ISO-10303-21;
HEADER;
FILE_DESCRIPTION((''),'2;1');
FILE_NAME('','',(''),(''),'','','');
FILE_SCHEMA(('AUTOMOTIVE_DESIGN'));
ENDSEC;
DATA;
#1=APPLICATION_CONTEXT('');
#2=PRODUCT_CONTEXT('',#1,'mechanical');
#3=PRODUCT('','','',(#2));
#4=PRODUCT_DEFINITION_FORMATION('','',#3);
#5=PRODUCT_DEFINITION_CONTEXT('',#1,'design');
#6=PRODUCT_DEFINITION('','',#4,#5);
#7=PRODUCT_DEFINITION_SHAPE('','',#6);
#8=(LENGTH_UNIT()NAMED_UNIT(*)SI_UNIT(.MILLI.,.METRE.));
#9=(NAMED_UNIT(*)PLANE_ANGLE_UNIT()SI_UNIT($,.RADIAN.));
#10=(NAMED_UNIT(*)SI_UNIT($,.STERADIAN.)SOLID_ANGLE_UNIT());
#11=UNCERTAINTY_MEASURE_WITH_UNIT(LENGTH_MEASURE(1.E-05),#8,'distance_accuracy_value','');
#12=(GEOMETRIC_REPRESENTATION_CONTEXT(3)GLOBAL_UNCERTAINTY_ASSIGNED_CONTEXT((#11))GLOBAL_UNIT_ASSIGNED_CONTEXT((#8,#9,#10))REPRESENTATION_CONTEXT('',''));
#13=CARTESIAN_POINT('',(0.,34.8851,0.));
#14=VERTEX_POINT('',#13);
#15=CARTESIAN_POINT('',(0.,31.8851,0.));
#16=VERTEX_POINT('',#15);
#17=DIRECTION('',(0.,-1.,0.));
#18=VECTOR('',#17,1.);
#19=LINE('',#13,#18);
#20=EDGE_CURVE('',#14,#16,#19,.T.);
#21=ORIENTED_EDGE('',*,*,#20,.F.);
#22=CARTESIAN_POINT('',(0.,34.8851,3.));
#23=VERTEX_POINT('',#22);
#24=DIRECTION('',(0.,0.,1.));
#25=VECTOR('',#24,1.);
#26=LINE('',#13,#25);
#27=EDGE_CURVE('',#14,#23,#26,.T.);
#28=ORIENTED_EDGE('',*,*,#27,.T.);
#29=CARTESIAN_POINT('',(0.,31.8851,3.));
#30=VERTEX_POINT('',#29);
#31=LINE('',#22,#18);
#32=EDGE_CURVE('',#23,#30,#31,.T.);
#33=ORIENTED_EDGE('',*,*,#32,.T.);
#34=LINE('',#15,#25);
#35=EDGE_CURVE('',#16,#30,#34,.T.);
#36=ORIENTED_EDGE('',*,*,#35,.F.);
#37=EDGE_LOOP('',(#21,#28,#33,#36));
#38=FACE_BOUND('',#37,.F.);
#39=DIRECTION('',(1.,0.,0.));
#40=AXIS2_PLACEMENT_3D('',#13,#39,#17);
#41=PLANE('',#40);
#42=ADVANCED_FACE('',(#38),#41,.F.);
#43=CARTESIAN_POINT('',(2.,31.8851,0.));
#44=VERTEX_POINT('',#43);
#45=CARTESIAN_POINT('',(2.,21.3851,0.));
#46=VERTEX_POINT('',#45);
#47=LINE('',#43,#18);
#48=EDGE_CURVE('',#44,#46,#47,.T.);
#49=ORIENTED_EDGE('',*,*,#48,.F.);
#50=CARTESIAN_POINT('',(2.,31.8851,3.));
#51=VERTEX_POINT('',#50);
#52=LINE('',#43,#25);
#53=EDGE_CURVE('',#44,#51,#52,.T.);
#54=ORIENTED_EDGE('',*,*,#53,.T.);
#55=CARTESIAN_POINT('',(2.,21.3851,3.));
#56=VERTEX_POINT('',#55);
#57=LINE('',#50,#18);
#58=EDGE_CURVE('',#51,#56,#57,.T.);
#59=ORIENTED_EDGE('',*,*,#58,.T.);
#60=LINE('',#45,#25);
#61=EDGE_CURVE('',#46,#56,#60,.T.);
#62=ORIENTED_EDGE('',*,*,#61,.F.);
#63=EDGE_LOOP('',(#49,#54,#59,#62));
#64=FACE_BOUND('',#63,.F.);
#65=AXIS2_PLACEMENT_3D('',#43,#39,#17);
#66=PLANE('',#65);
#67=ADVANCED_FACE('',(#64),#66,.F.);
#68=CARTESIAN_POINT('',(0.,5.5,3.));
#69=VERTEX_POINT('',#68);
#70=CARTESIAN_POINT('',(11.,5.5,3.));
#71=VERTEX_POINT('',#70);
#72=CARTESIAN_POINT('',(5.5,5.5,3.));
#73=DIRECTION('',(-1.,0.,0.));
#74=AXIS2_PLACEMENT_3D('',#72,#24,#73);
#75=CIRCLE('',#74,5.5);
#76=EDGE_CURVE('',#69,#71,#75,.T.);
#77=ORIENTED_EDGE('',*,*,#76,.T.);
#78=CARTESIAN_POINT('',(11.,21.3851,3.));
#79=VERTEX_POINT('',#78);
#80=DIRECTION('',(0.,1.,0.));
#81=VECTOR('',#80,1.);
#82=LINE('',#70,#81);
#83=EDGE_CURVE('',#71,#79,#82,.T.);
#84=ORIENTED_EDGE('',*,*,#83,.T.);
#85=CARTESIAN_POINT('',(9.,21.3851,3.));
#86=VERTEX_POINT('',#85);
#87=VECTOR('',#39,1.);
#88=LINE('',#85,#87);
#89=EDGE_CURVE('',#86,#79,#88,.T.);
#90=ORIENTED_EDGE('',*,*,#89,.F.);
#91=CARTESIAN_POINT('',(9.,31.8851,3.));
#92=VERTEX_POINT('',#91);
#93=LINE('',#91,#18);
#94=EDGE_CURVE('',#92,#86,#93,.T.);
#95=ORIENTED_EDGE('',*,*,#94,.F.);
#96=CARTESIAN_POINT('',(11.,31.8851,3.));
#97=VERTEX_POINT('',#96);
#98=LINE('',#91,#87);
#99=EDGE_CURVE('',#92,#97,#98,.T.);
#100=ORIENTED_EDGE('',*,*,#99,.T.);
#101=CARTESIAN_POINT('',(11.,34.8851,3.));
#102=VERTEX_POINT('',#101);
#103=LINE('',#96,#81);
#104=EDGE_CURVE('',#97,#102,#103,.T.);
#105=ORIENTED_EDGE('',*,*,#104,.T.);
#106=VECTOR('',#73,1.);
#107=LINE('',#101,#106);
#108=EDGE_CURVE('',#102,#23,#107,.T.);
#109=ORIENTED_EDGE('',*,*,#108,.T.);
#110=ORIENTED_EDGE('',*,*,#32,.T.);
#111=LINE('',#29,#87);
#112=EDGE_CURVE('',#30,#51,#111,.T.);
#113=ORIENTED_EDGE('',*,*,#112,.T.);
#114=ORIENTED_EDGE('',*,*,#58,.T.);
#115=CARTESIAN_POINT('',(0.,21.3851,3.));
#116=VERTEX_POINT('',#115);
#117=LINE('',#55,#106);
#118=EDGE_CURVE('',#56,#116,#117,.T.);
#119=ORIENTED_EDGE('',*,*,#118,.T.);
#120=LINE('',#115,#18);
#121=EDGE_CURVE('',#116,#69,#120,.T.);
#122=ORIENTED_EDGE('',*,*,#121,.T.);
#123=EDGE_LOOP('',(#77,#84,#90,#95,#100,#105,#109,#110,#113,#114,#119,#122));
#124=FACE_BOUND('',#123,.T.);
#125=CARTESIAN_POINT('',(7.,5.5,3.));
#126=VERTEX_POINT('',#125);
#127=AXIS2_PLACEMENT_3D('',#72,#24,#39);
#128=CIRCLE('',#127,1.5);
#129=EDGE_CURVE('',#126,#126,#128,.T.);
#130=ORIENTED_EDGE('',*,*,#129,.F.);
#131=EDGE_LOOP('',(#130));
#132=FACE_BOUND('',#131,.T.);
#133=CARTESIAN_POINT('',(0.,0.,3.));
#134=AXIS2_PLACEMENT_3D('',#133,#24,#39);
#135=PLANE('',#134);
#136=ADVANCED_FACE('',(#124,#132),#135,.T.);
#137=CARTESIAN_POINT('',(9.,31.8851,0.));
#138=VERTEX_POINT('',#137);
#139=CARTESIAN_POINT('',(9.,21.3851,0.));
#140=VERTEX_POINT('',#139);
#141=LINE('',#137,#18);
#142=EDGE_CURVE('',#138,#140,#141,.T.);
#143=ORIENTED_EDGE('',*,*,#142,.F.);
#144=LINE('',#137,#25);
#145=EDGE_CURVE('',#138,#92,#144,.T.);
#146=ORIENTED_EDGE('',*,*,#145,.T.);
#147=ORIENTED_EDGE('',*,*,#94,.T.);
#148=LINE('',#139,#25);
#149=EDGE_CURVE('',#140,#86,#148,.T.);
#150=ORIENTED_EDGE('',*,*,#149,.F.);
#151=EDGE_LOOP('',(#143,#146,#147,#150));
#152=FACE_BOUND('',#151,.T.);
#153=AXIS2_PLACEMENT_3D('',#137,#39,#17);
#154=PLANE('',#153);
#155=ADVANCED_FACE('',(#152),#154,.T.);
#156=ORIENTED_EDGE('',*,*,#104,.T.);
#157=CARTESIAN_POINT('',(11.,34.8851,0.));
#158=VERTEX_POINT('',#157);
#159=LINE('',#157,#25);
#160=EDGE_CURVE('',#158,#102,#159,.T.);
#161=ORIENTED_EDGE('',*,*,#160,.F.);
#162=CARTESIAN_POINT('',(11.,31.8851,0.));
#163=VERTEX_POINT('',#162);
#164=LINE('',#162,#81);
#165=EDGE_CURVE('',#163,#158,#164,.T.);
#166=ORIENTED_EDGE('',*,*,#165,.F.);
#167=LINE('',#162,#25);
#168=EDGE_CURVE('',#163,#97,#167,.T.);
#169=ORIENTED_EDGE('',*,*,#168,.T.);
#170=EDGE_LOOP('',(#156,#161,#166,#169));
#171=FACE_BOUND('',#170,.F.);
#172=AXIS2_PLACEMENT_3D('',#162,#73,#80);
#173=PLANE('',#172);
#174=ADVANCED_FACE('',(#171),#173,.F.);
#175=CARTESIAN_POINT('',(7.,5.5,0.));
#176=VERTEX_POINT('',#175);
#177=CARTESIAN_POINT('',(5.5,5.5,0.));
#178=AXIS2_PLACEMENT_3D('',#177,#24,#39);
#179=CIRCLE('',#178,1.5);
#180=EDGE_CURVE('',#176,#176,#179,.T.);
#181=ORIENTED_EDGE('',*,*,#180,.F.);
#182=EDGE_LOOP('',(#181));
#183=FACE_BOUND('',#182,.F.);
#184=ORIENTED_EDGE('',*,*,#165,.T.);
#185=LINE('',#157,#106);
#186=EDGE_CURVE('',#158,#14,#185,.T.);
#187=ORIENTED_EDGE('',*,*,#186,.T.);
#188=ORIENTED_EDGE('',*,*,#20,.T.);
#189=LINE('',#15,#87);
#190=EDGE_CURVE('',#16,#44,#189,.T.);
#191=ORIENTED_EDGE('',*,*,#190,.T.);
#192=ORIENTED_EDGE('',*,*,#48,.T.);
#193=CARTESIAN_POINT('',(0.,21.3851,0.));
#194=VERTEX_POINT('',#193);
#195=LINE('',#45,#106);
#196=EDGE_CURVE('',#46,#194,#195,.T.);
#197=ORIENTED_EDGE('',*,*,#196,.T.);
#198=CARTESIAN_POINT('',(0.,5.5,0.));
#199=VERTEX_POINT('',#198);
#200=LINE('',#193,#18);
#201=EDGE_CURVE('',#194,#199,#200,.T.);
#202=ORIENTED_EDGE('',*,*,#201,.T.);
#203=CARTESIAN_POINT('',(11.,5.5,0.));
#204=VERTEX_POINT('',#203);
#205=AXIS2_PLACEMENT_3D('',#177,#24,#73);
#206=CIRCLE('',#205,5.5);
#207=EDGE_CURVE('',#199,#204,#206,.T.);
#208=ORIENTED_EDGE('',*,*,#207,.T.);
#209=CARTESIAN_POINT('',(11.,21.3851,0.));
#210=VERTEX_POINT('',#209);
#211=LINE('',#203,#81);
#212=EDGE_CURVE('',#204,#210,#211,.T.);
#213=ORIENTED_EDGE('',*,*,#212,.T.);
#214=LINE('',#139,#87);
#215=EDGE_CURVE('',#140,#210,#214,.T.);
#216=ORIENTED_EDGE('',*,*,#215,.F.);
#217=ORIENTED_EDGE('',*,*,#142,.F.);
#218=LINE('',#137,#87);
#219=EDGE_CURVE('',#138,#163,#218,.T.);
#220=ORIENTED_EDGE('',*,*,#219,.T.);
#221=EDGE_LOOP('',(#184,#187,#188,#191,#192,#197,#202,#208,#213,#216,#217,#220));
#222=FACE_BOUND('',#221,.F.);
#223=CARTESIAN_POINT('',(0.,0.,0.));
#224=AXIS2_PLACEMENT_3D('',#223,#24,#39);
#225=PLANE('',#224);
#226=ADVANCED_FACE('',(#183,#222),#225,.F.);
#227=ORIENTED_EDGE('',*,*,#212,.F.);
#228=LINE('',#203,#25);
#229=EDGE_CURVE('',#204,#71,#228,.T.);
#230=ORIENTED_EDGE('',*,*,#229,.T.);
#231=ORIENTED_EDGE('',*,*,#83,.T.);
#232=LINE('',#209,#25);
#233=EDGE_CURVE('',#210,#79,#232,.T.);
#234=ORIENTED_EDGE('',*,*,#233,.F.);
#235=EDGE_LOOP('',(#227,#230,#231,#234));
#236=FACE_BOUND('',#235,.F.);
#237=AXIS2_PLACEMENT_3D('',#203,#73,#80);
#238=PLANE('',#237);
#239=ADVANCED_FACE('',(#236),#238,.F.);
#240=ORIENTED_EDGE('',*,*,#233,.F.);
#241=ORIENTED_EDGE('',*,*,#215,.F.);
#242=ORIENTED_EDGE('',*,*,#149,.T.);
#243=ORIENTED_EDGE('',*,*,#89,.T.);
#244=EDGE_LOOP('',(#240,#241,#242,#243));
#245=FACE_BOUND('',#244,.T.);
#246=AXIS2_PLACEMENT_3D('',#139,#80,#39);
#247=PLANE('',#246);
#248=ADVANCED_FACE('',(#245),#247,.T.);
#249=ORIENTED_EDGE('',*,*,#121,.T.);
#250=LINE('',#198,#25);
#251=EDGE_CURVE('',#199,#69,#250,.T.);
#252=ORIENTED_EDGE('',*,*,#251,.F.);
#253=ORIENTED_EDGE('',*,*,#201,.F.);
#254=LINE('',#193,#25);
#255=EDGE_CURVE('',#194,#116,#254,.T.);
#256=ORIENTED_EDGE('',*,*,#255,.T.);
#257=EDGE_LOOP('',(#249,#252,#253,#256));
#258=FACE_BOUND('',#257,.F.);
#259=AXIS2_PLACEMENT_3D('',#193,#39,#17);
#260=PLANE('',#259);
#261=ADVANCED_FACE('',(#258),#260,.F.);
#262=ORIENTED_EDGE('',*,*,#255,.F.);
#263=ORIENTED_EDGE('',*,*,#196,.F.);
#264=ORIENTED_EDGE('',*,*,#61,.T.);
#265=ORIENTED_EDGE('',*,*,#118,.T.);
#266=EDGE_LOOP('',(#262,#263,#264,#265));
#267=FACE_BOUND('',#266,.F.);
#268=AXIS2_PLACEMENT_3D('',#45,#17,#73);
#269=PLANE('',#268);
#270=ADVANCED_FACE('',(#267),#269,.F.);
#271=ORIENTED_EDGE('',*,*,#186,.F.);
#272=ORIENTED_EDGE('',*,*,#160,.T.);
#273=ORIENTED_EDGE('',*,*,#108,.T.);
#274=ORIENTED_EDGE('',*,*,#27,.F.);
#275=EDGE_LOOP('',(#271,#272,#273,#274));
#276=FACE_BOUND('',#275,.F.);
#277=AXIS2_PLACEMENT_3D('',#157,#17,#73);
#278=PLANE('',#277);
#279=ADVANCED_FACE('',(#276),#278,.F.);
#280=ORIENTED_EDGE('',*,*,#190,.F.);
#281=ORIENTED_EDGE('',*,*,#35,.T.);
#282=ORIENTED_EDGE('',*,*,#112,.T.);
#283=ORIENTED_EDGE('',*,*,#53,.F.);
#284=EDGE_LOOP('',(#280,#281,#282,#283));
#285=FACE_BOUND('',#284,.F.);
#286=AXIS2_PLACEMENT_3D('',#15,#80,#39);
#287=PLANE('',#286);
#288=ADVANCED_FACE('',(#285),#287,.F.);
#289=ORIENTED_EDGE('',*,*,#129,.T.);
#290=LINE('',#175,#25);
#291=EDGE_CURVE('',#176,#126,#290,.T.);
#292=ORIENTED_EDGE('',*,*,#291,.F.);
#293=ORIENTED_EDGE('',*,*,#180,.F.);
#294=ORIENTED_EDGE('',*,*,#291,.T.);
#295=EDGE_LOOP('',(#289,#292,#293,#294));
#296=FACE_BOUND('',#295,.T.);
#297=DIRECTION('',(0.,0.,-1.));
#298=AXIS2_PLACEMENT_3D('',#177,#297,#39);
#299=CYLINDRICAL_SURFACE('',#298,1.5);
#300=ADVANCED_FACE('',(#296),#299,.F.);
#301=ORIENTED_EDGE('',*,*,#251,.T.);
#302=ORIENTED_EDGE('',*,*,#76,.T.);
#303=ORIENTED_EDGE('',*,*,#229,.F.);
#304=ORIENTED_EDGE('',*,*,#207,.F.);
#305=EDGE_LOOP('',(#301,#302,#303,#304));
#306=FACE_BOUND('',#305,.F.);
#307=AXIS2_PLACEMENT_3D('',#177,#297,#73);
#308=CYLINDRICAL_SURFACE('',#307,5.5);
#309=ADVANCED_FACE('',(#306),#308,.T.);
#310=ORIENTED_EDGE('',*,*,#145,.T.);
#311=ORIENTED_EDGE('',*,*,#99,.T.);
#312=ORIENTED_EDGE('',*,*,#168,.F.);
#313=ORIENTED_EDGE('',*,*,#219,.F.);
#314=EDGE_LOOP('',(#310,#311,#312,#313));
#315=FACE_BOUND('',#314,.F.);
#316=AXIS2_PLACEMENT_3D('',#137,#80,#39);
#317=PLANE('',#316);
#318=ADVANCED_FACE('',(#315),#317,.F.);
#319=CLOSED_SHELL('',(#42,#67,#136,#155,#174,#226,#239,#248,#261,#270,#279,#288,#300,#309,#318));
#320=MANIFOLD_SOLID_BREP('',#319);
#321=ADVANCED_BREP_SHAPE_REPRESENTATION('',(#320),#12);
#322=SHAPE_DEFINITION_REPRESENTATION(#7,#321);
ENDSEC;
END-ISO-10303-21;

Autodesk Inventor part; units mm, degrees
ref_plane "YZ Plane" through (0, 0, 0) normal (1, 0, 0) x (0, 1, 0)
ref_plane "XZ Plane" through (0, 0, 0) normal (0, 1, 0) x (-1, 0, 0)
ref_plane "XY Plane" through (0, 0, 0) normal (0, 0, 1) x (1, 0, 0)
sketch "Sketch6" plane through (0, 0, 0) normal (0, 0, 1) x (1, 0, 0)
  line L0 (11, 34.8851) -> (0, 34.8851)
  line L1 (2, 31.8851) -> (2, 21.3851)
  line L2 (9, 31.8851) -> (9, 21.3851)
  line L3 (2, 21.3851) -> (0, 21.3851)
  line L4 (9, 21.3851) -> (11, 21.3851)
  arc A0 (0, 5.5) -> (11, 5.5) centre (5.5, 5.5) ccw
  circle A1 centre (5.5, 5.5) radius 1.5
  line L5 (0, 31.8851) -> (2, 31.8851)
  line L6 (9, 31.8851) -> (11, 31.8851)
  line L7 (0, 34.8851) -> (0, 31.8851)
  line L8 (0, 21.3851) -> (0, 5.5)
  line L9 (11, 5.5) -> (11, 21.3851)
  line L10 (11, 31.8851) -> (11, 34.8851)
  point P0 (0, 0)
  point P1 (10, 21.3851)
  dimension "d92" = 10.5
  dimension "d93" = 10.5
  dimension "d94" = 2
  dimension "d95" = 2
  dimension "d96" = 3
  dimension "d97" = 11
  dimension "d98" = 15.8851
extrude "Extrusion3" add sketch "Sketch6" along normal blind 3
properties part number "4P.01.01.16-BC-v1-Final Flap L2 80deg" material "Acrylic, Clear"
